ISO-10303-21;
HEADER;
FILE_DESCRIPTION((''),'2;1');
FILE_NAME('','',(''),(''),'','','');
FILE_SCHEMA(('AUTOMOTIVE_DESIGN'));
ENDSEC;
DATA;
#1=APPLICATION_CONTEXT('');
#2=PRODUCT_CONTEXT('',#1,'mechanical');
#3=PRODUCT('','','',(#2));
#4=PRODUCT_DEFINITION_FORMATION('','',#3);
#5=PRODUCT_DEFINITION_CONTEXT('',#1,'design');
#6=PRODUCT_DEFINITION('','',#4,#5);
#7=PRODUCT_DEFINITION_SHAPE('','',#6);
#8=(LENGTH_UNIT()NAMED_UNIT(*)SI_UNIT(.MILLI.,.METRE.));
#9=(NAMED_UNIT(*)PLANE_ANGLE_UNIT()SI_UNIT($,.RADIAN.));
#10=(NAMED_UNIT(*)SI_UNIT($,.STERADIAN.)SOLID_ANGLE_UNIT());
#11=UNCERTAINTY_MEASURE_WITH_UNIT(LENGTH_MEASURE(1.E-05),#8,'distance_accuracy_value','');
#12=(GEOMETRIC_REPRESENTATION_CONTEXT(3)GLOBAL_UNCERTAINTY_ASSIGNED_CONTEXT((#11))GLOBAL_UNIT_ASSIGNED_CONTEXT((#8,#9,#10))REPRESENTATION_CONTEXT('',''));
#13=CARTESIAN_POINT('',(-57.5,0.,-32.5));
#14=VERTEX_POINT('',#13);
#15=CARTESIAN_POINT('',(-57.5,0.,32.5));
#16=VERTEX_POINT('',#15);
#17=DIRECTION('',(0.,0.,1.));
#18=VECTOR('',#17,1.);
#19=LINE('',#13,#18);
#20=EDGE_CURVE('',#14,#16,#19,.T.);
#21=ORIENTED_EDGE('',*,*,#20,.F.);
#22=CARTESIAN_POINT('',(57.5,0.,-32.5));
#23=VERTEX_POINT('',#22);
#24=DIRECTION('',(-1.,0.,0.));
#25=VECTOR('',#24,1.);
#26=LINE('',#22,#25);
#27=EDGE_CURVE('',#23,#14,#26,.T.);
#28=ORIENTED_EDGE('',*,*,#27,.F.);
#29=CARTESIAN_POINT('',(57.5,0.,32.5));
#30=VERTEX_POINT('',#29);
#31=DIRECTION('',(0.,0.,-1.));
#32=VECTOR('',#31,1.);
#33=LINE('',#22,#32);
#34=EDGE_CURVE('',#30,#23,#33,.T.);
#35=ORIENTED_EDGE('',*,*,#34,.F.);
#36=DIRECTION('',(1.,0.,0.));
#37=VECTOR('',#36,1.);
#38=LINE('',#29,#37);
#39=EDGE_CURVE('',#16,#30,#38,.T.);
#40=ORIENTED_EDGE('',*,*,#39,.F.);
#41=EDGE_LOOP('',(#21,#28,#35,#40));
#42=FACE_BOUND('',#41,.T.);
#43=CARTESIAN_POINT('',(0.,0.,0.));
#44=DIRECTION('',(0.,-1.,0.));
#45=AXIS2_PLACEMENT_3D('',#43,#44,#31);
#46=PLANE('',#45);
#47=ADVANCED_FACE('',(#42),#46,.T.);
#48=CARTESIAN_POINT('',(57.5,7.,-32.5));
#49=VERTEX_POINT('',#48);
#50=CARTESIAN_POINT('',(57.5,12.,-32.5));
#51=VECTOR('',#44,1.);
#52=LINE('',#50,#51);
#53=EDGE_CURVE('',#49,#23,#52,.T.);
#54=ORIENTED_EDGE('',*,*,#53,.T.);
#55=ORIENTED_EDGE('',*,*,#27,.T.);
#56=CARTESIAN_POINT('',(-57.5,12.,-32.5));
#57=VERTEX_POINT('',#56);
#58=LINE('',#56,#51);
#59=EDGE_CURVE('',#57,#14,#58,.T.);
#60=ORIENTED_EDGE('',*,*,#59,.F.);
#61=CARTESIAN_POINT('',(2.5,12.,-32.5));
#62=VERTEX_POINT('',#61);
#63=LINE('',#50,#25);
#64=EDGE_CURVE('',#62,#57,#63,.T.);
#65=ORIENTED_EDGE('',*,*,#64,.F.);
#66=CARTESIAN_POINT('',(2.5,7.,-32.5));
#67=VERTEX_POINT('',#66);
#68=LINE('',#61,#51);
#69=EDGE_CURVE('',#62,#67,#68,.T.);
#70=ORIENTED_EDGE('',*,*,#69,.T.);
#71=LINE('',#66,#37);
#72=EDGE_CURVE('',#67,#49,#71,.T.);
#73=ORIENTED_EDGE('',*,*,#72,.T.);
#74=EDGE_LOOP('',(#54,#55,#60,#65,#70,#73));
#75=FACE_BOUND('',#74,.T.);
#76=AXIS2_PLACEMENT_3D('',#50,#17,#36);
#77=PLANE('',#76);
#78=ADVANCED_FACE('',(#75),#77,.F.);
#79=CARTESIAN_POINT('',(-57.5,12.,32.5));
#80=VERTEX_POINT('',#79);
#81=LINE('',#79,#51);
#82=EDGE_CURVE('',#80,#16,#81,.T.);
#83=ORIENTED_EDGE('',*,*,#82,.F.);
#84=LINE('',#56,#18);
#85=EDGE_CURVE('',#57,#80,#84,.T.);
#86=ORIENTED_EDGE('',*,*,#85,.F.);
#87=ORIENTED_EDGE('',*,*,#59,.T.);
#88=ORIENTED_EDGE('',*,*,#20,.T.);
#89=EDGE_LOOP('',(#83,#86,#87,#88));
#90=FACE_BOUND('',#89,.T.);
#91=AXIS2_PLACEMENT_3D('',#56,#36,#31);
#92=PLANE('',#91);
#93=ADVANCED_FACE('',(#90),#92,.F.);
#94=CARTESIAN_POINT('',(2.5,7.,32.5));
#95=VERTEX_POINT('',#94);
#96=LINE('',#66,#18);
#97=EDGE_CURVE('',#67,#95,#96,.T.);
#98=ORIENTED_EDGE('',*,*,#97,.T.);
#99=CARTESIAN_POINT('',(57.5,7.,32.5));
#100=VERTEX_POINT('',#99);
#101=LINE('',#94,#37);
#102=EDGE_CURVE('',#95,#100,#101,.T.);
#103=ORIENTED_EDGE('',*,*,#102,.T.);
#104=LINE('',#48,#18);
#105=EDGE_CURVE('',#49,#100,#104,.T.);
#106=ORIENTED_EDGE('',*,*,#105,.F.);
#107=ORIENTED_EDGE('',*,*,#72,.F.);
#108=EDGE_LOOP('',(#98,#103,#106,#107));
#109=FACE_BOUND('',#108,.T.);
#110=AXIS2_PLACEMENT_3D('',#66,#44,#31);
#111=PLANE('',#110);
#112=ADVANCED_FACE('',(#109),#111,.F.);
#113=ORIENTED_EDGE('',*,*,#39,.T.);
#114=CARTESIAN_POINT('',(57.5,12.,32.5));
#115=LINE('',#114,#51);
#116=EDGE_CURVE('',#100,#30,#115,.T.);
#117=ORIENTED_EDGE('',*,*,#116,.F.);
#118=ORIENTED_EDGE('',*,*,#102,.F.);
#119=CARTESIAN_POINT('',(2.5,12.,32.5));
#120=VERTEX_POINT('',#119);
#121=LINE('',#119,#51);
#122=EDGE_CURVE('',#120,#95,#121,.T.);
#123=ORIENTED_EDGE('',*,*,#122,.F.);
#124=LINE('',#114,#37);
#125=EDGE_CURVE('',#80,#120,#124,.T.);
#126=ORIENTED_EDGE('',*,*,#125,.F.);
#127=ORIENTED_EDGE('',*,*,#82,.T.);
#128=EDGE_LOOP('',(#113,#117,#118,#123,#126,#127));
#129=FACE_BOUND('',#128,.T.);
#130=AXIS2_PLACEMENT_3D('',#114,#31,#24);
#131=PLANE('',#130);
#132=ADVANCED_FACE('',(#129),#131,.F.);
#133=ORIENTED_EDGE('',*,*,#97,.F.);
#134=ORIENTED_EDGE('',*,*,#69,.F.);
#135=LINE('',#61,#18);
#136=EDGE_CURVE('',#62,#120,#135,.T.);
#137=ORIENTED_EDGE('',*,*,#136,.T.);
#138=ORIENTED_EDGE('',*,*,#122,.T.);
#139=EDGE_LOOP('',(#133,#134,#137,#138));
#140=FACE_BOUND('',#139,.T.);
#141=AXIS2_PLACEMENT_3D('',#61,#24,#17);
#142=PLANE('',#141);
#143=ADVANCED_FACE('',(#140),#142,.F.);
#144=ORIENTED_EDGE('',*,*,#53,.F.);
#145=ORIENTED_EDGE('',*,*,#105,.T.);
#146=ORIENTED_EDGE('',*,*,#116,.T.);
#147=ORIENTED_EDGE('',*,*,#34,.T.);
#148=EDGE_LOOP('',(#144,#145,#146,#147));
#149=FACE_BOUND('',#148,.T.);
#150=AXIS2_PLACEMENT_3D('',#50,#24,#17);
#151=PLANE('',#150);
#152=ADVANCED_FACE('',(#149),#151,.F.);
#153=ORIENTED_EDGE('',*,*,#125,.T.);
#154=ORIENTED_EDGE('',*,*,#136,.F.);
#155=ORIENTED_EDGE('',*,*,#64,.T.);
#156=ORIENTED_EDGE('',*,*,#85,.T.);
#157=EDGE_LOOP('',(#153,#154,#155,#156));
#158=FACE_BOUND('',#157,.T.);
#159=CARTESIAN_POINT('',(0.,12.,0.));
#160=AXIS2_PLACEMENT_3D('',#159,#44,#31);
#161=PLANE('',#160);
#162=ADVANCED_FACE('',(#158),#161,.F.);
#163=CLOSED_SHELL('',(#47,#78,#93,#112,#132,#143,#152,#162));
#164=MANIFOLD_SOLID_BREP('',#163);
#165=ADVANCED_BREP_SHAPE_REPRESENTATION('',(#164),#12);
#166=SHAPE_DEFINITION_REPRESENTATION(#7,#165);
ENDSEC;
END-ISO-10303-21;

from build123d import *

# Parameters (mm, degrees)
SKETCH_1_W               = 115
SKETCH_1_H               = 65
EXTRUDE_1_DEPTH          = 12
CUT_EXTRUDE_1_DEPTH      = 68.130469982
CUT_EXTRUDE_1_DEPTH_BACK = 68.130469982
SKETCH_3_W               = 55
SKETCH_3_H               = 5


with BuildPart() as part:
    # 스케치1 → 보스-돌출1 (new body)
    with BuildSketch(Plane(origin=(0, 0, 0), x_dir=(1, 0, 0), z_dir=(0, 1, 0))):
        Rectangle(SKETCH_1_W, SKETCH_1_H)
    extrude(amount=EXTRUDE_1_DEPTH)

    # 스케치3 → 컷-돌출1 (cut, two sides: drawn at the far end of the back side and taken through both)
    with BuildSketch(Plane.XY.offset(-CUT_EXTRUDE_1_DEPTH_BACK)):
        with Locations((30, 9.5)):
            Rectangle(SKETCH_3_W, SKETCH_3_H)
    extrude(amount=CUT_EXTRUDE_1_DEPTH + CUT_EXTRUDE_1_DEPTH_BACK, mode=Mode.SUBTRACT)


solid = part.part
